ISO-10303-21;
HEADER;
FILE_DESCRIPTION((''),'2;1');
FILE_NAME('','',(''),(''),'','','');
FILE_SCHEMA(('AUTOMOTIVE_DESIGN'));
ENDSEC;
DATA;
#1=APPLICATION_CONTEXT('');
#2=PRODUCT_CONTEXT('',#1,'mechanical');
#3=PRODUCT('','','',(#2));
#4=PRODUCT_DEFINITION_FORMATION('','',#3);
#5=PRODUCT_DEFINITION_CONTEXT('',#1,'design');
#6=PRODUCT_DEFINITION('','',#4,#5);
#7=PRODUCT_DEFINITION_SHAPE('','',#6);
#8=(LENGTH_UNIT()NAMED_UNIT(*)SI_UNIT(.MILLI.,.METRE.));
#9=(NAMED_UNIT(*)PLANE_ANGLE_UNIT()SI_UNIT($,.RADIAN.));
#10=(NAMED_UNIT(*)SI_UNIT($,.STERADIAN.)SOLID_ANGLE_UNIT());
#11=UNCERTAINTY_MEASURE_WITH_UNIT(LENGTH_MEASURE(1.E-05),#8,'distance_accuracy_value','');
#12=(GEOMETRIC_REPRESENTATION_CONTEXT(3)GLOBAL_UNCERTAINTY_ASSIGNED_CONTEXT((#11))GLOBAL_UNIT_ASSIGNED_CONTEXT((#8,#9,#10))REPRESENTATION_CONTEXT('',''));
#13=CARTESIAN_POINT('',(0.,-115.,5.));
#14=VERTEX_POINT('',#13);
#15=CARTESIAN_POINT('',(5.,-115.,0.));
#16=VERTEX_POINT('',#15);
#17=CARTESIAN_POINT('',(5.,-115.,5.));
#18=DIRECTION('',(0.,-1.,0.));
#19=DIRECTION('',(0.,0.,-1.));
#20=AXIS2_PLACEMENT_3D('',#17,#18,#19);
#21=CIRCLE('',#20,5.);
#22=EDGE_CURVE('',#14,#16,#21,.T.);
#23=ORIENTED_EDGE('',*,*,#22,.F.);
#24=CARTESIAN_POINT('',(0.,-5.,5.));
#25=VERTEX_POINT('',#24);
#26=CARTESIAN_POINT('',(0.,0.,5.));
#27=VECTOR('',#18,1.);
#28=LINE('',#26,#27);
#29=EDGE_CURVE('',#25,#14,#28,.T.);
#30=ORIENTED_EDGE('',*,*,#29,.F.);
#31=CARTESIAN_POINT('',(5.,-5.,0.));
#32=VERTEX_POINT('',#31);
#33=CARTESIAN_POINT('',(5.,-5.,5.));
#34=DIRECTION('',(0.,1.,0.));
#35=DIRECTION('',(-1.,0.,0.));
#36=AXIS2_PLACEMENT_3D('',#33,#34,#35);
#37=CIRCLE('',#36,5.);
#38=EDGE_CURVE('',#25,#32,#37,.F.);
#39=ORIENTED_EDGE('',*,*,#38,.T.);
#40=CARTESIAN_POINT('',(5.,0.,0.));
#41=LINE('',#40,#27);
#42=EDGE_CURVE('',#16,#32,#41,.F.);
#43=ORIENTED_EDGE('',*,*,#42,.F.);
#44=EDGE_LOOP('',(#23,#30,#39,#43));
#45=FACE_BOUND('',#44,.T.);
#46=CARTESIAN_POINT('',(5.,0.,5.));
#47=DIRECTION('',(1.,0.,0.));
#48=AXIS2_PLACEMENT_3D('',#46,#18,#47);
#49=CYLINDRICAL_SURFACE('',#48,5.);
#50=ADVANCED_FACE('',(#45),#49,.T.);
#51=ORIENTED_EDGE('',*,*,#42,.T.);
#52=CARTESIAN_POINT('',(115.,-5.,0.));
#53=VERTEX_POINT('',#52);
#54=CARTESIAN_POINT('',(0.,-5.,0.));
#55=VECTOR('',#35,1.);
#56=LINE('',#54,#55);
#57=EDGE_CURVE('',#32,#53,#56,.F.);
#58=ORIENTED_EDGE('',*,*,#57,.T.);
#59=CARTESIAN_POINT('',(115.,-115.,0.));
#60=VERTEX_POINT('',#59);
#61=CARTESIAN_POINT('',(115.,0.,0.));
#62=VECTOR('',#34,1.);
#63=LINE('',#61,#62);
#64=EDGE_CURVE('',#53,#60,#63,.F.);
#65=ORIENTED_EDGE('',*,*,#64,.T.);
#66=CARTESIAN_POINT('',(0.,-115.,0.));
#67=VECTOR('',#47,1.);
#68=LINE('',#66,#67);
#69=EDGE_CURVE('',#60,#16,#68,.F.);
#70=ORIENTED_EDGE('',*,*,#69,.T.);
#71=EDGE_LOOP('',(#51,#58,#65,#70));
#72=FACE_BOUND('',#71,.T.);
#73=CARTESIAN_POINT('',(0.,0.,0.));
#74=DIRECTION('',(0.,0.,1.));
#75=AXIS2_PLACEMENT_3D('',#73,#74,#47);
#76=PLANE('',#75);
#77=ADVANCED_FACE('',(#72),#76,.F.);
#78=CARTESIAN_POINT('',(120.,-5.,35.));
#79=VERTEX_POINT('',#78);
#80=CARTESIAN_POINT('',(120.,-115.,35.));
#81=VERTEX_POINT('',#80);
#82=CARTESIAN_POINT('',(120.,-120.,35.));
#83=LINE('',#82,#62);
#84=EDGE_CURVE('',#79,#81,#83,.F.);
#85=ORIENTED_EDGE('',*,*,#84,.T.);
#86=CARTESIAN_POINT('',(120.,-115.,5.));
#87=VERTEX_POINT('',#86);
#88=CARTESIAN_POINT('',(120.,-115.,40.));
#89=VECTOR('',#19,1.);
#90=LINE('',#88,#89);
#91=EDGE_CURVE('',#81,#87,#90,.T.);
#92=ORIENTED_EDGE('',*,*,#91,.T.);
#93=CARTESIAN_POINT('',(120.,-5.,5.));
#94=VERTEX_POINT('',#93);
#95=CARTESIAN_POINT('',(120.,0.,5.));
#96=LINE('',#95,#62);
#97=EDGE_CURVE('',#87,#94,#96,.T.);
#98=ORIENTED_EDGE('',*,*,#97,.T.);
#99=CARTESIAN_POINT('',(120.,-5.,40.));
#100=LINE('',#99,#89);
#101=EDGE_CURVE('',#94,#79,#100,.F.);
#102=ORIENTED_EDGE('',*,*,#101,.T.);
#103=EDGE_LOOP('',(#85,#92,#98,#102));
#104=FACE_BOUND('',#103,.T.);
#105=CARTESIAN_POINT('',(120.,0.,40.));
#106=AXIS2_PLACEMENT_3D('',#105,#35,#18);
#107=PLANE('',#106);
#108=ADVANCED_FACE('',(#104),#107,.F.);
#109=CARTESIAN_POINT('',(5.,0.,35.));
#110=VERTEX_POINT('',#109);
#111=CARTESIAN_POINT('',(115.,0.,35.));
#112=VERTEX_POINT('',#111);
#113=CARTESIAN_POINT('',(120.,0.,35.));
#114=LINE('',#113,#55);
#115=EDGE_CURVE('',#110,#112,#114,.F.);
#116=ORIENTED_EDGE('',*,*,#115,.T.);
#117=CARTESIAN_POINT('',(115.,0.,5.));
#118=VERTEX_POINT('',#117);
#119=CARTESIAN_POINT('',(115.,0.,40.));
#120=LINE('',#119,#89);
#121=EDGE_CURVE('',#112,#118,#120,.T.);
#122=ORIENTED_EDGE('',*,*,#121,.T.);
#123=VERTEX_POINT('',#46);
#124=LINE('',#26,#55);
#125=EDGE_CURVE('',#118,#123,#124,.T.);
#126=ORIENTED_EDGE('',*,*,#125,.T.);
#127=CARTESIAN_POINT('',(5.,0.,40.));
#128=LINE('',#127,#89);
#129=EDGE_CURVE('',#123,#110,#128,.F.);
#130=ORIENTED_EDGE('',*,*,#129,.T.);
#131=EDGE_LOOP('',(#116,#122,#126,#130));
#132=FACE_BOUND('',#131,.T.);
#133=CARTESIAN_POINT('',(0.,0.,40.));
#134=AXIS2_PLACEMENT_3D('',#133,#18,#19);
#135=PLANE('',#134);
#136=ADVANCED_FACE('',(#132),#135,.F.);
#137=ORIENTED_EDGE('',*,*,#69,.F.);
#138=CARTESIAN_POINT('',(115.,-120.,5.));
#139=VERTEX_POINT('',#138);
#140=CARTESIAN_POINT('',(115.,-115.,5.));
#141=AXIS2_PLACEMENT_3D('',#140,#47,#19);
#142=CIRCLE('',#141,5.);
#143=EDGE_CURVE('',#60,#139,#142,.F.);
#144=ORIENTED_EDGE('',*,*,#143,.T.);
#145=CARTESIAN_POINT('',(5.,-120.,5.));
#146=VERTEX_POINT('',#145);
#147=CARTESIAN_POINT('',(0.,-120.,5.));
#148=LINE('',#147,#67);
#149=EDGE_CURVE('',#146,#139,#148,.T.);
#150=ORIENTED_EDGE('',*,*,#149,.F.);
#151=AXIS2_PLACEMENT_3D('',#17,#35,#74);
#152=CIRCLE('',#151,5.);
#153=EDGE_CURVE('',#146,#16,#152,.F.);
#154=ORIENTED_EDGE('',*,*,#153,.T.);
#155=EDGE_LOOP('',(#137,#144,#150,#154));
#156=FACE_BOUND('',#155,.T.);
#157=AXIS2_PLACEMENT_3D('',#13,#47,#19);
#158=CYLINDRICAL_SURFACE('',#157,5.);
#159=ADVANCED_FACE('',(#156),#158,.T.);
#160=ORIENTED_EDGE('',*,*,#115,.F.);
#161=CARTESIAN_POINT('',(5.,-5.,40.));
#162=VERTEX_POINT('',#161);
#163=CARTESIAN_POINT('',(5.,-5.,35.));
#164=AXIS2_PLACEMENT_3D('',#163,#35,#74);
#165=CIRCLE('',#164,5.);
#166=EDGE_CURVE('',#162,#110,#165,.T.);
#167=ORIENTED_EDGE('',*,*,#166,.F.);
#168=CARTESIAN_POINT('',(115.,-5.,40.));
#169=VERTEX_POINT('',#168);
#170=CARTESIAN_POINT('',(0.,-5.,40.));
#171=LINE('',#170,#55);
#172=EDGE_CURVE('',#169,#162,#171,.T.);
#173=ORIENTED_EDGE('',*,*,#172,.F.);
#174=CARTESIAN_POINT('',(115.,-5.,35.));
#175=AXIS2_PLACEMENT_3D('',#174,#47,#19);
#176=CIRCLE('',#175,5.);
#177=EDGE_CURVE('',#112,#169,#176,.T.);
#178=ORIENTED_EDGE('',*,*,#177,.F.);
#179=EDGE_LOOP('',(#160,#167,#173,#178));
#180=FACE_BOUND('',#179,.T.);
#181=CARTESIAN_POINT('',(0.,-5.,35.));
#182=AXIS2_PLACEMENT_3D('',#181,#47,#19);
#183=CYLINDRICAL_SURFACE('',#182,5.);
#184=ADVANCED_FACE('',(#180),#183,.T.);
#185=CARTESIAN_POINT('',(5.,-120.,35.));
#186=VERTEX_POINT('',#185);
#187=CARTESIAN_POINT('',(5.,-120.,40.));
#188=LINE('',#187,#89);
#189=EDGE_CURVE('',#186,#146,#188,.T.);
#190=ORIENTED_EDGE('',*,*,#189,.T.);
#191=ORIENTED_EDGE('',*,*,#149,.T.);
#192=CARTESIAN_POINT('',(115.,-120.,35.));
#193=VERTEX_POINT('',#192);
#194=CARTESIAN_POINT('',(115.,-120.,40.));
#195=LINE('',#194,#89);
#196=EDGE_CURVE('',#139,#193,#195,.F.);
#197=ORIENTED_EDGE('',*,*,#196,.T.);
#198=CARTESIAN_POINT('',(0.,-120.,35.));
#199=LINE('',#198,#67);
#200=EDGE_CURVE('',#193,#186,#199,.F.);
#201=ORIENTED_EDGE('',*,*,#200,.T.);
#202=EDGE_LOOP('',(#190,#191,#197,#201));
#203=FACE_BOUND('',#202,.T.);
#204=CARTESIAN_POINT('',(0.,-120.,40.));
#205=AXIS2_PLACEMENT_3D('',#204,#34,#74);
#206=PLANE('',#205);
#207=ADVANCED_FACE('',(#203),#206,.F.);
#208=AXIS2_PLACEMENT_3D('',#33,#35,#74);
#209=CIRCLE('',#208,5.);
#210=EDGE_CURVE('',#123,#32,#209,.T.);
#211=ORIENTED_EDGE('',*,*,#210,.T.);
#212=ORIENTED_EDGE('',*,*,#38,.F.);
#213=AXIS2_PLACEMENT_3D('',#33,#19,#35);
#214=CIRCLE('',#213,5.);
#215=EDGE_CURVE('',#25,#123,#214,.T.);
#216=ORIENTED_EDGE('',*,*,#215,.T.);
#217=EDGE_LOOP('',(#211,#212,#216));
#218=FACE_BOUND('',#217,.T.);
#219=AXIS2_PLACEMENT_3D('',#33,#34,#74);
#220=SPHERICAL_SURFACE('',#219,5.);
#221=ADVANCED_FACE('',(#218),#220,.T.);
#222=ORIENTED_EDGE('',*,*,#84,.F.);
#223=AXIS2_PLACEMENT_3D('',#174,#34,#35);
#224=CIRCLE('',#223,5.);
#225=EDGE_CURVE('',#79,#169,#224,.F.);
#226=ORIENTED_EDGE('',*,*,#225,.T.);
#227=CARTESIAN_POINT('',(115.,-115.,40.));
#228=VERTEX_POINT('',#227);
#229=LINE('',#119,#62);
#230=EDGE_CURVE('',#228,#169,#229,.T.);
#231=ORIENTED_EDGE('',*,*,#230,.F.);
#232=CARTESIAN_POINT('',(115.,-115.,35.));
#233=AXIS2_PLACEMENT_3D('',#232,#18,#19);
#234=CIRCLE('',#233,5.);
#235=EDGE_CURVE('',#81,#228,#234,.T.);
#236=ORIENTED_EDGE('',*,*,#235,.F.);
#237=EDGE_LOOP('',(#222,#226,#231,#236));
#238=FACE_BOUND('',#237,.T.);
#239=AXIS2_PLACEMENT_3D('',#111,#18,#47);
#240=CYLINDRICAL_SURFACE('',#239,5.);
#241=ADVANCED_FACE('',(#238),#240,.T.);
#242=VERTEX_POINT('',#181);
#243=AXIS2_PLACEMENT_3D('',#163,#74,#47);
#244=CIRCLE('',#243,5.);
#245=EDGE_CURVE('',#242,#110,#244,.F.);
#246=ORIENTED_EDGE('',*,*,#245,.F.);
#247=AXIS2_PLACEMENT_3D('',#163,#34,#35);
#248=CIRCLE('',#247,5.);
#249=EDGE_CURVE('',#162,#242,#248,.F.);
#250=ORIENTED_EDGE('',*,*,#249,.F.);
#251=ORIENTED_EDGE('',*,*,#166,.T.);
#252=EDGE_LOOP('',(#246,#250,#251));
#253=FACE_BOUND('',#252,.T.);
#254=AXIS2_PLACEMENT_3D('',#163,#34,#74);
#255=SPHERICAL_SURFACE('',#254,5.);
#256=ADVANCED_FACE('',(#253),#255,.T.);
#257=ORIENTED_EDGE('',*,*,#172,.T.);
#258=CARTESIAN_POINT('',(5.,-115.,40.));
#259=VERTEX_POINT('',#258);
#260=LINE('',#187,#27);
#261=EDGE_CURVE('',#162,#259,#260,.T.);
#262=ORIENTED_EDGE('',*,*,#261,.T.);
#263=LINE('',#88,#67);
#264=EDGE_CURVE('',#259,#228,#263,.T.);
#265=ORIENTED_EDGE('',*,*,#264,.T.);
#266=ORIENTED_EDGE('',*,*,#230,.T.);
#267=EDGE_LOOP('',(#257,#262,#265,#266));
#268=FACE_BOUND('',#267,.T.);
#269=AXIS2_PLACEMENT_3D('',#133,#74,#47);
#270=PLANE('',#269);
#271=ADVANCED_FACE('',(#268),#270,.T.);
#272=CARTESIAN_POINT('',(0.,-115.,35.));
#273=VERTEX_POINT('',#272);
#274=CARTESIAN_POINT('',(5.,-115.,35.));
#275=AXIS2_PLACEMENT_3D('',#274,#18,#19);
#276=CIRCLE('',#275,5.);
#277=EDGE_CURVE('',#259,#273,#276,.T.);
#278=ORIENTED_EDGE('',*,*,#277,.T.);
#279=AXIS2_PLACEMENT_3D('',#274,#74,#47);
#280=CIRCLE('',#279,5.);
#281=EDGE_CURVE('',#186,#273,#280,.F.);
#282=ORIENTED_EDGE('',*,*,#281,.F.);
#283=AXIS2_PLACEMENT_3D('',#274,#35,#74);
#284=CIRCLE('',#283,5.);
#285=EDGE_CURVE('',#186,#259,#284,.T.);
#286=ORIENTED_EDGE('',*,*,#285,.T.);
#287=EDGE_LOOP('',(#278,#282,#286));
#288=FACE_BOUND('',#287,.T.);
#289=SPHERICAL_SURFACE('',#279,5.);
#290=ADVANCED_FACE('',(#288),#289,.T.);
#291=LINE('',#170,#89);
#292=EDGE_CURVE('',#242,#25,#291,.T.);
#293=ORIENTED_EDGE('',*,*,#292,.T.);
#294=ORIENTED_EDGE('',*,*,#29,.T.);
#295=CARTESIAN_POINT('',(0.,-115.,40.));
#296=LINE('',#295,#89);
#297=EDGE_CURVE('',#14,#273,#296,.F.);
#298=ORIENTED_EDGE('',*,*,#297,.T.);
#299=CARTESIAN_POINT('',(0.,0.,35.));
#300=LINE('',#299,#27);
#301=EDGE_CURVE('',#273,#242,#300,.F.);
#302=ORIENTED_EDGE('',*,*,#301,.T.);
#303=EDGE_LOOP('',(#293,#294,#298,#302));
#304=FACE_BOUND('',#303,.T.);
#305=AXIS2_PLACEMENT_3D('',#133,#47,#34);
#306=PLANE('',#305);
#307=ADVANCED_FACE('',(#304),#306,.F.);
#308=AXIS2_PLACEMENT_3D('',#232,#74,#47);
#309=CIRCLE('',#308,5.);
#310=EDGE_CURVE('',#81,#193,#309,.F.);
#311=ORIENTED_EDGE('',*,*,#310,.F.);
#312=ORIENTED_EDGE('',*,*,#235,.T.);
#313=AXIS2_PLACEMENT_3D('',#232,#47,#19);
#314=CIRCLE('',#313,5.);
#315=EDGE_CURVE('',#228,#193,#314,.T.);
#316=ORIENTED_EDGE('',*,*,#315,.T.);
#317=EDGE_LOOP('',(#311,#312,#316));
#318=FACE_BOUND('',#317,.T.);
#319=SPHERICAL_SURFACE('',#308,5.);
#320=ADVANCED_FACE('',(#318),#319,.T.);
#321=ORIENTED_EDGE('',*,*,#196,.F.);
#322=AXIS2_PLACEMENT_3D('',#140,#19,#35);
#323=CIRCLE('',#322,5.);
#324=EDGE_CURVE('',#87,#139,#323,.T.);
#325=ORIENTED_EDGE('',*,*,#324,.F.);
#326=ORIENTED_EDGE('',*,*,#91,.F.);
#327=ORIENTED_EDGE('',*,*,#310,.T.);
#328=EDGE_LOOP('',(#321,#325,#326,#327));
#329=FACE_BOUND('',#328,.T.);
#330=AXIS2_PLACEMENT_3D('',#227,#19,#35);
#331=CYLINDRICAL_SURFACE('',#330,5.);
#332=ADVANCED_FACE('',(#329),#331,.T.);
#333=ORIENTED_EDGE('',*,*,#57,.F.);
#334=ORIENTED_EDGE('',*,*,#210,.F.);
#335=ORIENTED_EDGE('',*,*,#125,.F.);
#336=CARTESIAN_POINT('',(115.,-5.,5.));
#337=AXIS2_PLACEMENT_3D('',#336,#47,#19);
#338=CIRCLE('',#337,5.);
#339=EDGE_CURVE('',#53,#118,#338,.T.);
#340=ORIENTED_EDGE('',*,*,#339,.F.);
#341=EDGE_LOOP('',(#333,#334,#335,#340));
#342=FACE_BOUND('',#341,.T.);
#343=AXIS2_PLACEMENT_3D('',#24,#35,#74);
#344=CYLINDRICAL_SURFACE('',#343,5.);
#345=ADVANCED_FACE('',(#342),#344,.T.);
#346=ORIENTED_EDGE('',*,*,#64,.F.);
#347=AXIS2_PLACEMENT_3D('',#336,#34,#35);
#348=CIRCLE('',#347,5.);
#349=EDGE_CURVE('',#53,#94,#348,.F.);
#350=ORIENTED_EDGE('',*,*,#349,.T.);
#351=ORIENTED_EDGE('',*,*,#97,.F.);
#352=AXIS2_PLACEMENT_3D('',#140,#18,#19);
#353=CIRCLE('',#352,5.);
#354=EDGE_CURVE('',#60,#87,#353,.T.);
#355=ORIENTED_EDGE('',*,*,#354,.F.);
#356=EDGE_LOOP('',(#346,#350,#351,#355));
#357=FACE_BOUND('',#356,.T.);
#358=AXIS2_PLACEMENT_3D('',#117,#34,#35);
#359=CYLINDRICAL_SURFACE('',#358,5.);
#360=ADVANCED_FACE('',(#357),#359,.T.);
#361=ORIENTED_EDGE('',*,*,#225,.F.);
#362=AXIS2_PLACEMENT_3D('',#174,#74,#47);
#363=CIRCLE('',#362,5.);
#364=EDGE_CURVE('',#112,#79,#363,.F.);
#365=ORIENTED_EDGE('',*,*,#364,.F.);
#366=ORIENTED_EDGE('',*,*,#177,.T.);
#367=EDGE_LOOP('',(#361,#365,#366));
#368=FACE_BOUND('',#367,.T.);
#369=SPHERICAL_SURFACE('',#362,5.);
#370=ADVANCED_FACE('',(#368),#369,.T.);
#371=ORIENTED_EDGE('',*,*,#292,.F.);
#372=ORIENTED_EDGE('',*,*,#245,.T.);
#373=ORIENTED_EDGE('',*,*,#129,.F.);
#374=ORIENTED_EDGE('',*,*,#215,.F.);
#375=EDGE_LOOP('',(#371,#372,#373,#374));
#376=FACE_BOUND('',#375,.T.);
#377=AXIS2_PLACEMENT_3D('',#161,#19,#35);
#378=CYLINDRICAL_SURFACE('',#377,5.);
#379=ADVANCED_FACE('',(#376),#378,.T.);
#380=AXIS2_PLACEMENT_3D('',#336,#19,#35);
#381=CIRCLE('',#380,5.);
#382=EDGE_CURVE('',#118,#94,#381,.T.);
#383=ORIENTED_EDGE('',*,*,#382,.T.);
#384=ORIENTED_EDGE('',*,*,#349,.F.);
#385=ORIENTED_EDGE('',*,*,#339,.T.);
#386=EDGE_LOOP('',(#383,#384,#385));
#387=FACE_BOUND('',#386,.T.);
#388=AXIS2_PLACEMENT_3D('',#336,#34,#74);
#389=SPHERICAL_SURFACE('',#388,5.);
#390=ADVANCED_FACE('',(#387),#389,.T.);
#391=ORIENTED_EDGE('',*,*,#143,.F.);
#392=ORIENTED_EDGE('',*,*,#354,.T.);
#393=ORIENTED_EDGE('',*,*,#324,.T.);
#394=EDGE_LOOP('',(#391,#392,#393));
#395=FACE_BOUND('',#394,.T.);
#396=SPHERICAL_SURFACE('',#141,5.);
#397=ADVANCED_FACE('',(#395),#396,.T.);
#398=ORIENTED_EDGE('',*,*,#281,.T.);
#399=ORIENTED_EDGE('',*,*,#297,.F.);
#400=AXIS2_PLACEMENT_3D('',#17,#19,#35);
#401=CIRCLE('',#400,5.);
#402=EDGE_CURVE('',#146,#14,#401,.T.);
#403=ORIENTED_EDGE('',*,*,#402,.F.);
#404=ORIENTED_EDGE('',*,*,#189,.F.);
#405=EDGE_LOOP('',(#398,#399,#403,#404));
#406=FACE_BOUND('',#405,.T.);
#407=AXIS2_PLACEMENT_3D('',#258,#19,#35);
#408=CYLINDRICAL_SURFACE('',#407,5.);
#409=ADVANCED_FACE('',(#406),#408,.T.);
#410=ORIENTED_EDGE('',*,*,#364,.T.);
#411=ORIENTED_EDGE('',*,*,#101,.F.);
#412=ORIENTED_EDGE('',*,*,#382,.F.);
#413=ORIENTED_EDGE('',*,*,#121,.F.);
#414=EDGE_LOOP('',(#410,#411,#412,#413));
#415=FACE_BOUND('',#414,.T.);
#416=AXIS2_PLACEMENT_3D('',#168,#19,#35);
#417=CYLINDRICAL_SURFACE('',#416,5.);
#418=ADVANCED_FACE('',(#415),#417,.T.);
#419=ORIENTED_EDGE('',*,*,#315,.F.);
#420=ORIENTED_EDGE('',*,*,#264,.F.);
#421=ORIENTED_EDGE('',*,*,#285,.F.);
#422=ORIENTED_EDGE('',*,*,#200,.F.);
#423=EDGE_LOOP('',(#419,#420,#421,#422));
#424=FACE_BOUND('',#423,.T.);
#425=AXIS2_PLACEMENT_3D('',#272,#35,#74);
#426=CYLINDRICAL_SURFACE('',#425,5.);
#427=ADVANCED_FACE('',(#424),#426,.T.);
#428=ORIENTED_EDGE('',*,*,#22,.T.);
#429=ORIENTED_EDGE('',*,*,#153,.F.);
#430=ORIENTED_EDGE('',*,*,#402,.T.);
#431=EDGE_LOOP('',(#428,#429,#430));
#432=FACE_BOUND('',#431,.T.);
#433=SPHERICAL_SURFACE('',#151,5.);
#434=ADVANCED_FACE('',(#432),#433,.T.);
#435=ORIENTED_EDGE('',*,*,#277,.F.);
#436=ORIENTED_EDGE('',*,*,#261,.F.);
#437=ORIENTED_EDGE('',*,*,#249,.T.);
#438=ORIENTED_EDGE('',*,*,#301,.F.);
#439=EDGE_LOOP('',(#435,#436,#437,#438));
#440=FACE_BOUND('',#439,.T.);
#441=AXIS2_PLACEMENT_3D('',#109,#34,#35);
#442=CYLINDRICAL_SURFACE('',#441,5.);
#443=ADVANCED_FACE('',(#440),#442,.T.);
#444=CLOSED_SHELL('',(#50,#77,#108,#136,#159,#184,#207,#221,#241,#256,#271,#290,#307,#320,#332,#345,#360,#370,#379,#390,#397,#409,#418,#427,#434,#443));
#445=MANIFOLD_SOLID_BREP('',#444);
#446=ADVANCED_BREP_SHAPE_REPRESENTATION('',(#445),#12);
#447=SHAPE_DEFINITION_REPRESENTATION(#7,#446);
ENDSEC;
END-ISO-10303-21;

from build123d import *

# Parameters (mm, degrees)
SKETCH_1_W      = 120
SKETCH_1_H      = 120
EXTRUDE_1_DEPTH = 40
FILLET_1_R      = 5


with BuildPart() as part:
    # 草图1 → 凸台-拉伸1 (new body)
    with BuildSketch(Plane.XY):
        with Locations((60, -60)):
            Rectangle(SKETCH_1_W, SKETCH_1_H)
    extrude(amount=EXTRUDE_1_DEPTH)

    # 圆角1
    fillet_1_edges = [part.edges().sort_by_distance(p)[0] for p in [
        (120, -60, 40),
        (60, 0, 40),
        (0, -60, 40),
        (60, 0, 0),
        (120, -60, 0),
        (60, -120, 0),
        (0, -60, 0),
        (0, 0, 20),
        (120, 0, 20),
        (120, -120, 20),
        (0, -120, 20),
        (60, -120, 40),
    ]]
    fillet(fillet_1_edges, radius=FILLET_1_R)


solid = part.part
